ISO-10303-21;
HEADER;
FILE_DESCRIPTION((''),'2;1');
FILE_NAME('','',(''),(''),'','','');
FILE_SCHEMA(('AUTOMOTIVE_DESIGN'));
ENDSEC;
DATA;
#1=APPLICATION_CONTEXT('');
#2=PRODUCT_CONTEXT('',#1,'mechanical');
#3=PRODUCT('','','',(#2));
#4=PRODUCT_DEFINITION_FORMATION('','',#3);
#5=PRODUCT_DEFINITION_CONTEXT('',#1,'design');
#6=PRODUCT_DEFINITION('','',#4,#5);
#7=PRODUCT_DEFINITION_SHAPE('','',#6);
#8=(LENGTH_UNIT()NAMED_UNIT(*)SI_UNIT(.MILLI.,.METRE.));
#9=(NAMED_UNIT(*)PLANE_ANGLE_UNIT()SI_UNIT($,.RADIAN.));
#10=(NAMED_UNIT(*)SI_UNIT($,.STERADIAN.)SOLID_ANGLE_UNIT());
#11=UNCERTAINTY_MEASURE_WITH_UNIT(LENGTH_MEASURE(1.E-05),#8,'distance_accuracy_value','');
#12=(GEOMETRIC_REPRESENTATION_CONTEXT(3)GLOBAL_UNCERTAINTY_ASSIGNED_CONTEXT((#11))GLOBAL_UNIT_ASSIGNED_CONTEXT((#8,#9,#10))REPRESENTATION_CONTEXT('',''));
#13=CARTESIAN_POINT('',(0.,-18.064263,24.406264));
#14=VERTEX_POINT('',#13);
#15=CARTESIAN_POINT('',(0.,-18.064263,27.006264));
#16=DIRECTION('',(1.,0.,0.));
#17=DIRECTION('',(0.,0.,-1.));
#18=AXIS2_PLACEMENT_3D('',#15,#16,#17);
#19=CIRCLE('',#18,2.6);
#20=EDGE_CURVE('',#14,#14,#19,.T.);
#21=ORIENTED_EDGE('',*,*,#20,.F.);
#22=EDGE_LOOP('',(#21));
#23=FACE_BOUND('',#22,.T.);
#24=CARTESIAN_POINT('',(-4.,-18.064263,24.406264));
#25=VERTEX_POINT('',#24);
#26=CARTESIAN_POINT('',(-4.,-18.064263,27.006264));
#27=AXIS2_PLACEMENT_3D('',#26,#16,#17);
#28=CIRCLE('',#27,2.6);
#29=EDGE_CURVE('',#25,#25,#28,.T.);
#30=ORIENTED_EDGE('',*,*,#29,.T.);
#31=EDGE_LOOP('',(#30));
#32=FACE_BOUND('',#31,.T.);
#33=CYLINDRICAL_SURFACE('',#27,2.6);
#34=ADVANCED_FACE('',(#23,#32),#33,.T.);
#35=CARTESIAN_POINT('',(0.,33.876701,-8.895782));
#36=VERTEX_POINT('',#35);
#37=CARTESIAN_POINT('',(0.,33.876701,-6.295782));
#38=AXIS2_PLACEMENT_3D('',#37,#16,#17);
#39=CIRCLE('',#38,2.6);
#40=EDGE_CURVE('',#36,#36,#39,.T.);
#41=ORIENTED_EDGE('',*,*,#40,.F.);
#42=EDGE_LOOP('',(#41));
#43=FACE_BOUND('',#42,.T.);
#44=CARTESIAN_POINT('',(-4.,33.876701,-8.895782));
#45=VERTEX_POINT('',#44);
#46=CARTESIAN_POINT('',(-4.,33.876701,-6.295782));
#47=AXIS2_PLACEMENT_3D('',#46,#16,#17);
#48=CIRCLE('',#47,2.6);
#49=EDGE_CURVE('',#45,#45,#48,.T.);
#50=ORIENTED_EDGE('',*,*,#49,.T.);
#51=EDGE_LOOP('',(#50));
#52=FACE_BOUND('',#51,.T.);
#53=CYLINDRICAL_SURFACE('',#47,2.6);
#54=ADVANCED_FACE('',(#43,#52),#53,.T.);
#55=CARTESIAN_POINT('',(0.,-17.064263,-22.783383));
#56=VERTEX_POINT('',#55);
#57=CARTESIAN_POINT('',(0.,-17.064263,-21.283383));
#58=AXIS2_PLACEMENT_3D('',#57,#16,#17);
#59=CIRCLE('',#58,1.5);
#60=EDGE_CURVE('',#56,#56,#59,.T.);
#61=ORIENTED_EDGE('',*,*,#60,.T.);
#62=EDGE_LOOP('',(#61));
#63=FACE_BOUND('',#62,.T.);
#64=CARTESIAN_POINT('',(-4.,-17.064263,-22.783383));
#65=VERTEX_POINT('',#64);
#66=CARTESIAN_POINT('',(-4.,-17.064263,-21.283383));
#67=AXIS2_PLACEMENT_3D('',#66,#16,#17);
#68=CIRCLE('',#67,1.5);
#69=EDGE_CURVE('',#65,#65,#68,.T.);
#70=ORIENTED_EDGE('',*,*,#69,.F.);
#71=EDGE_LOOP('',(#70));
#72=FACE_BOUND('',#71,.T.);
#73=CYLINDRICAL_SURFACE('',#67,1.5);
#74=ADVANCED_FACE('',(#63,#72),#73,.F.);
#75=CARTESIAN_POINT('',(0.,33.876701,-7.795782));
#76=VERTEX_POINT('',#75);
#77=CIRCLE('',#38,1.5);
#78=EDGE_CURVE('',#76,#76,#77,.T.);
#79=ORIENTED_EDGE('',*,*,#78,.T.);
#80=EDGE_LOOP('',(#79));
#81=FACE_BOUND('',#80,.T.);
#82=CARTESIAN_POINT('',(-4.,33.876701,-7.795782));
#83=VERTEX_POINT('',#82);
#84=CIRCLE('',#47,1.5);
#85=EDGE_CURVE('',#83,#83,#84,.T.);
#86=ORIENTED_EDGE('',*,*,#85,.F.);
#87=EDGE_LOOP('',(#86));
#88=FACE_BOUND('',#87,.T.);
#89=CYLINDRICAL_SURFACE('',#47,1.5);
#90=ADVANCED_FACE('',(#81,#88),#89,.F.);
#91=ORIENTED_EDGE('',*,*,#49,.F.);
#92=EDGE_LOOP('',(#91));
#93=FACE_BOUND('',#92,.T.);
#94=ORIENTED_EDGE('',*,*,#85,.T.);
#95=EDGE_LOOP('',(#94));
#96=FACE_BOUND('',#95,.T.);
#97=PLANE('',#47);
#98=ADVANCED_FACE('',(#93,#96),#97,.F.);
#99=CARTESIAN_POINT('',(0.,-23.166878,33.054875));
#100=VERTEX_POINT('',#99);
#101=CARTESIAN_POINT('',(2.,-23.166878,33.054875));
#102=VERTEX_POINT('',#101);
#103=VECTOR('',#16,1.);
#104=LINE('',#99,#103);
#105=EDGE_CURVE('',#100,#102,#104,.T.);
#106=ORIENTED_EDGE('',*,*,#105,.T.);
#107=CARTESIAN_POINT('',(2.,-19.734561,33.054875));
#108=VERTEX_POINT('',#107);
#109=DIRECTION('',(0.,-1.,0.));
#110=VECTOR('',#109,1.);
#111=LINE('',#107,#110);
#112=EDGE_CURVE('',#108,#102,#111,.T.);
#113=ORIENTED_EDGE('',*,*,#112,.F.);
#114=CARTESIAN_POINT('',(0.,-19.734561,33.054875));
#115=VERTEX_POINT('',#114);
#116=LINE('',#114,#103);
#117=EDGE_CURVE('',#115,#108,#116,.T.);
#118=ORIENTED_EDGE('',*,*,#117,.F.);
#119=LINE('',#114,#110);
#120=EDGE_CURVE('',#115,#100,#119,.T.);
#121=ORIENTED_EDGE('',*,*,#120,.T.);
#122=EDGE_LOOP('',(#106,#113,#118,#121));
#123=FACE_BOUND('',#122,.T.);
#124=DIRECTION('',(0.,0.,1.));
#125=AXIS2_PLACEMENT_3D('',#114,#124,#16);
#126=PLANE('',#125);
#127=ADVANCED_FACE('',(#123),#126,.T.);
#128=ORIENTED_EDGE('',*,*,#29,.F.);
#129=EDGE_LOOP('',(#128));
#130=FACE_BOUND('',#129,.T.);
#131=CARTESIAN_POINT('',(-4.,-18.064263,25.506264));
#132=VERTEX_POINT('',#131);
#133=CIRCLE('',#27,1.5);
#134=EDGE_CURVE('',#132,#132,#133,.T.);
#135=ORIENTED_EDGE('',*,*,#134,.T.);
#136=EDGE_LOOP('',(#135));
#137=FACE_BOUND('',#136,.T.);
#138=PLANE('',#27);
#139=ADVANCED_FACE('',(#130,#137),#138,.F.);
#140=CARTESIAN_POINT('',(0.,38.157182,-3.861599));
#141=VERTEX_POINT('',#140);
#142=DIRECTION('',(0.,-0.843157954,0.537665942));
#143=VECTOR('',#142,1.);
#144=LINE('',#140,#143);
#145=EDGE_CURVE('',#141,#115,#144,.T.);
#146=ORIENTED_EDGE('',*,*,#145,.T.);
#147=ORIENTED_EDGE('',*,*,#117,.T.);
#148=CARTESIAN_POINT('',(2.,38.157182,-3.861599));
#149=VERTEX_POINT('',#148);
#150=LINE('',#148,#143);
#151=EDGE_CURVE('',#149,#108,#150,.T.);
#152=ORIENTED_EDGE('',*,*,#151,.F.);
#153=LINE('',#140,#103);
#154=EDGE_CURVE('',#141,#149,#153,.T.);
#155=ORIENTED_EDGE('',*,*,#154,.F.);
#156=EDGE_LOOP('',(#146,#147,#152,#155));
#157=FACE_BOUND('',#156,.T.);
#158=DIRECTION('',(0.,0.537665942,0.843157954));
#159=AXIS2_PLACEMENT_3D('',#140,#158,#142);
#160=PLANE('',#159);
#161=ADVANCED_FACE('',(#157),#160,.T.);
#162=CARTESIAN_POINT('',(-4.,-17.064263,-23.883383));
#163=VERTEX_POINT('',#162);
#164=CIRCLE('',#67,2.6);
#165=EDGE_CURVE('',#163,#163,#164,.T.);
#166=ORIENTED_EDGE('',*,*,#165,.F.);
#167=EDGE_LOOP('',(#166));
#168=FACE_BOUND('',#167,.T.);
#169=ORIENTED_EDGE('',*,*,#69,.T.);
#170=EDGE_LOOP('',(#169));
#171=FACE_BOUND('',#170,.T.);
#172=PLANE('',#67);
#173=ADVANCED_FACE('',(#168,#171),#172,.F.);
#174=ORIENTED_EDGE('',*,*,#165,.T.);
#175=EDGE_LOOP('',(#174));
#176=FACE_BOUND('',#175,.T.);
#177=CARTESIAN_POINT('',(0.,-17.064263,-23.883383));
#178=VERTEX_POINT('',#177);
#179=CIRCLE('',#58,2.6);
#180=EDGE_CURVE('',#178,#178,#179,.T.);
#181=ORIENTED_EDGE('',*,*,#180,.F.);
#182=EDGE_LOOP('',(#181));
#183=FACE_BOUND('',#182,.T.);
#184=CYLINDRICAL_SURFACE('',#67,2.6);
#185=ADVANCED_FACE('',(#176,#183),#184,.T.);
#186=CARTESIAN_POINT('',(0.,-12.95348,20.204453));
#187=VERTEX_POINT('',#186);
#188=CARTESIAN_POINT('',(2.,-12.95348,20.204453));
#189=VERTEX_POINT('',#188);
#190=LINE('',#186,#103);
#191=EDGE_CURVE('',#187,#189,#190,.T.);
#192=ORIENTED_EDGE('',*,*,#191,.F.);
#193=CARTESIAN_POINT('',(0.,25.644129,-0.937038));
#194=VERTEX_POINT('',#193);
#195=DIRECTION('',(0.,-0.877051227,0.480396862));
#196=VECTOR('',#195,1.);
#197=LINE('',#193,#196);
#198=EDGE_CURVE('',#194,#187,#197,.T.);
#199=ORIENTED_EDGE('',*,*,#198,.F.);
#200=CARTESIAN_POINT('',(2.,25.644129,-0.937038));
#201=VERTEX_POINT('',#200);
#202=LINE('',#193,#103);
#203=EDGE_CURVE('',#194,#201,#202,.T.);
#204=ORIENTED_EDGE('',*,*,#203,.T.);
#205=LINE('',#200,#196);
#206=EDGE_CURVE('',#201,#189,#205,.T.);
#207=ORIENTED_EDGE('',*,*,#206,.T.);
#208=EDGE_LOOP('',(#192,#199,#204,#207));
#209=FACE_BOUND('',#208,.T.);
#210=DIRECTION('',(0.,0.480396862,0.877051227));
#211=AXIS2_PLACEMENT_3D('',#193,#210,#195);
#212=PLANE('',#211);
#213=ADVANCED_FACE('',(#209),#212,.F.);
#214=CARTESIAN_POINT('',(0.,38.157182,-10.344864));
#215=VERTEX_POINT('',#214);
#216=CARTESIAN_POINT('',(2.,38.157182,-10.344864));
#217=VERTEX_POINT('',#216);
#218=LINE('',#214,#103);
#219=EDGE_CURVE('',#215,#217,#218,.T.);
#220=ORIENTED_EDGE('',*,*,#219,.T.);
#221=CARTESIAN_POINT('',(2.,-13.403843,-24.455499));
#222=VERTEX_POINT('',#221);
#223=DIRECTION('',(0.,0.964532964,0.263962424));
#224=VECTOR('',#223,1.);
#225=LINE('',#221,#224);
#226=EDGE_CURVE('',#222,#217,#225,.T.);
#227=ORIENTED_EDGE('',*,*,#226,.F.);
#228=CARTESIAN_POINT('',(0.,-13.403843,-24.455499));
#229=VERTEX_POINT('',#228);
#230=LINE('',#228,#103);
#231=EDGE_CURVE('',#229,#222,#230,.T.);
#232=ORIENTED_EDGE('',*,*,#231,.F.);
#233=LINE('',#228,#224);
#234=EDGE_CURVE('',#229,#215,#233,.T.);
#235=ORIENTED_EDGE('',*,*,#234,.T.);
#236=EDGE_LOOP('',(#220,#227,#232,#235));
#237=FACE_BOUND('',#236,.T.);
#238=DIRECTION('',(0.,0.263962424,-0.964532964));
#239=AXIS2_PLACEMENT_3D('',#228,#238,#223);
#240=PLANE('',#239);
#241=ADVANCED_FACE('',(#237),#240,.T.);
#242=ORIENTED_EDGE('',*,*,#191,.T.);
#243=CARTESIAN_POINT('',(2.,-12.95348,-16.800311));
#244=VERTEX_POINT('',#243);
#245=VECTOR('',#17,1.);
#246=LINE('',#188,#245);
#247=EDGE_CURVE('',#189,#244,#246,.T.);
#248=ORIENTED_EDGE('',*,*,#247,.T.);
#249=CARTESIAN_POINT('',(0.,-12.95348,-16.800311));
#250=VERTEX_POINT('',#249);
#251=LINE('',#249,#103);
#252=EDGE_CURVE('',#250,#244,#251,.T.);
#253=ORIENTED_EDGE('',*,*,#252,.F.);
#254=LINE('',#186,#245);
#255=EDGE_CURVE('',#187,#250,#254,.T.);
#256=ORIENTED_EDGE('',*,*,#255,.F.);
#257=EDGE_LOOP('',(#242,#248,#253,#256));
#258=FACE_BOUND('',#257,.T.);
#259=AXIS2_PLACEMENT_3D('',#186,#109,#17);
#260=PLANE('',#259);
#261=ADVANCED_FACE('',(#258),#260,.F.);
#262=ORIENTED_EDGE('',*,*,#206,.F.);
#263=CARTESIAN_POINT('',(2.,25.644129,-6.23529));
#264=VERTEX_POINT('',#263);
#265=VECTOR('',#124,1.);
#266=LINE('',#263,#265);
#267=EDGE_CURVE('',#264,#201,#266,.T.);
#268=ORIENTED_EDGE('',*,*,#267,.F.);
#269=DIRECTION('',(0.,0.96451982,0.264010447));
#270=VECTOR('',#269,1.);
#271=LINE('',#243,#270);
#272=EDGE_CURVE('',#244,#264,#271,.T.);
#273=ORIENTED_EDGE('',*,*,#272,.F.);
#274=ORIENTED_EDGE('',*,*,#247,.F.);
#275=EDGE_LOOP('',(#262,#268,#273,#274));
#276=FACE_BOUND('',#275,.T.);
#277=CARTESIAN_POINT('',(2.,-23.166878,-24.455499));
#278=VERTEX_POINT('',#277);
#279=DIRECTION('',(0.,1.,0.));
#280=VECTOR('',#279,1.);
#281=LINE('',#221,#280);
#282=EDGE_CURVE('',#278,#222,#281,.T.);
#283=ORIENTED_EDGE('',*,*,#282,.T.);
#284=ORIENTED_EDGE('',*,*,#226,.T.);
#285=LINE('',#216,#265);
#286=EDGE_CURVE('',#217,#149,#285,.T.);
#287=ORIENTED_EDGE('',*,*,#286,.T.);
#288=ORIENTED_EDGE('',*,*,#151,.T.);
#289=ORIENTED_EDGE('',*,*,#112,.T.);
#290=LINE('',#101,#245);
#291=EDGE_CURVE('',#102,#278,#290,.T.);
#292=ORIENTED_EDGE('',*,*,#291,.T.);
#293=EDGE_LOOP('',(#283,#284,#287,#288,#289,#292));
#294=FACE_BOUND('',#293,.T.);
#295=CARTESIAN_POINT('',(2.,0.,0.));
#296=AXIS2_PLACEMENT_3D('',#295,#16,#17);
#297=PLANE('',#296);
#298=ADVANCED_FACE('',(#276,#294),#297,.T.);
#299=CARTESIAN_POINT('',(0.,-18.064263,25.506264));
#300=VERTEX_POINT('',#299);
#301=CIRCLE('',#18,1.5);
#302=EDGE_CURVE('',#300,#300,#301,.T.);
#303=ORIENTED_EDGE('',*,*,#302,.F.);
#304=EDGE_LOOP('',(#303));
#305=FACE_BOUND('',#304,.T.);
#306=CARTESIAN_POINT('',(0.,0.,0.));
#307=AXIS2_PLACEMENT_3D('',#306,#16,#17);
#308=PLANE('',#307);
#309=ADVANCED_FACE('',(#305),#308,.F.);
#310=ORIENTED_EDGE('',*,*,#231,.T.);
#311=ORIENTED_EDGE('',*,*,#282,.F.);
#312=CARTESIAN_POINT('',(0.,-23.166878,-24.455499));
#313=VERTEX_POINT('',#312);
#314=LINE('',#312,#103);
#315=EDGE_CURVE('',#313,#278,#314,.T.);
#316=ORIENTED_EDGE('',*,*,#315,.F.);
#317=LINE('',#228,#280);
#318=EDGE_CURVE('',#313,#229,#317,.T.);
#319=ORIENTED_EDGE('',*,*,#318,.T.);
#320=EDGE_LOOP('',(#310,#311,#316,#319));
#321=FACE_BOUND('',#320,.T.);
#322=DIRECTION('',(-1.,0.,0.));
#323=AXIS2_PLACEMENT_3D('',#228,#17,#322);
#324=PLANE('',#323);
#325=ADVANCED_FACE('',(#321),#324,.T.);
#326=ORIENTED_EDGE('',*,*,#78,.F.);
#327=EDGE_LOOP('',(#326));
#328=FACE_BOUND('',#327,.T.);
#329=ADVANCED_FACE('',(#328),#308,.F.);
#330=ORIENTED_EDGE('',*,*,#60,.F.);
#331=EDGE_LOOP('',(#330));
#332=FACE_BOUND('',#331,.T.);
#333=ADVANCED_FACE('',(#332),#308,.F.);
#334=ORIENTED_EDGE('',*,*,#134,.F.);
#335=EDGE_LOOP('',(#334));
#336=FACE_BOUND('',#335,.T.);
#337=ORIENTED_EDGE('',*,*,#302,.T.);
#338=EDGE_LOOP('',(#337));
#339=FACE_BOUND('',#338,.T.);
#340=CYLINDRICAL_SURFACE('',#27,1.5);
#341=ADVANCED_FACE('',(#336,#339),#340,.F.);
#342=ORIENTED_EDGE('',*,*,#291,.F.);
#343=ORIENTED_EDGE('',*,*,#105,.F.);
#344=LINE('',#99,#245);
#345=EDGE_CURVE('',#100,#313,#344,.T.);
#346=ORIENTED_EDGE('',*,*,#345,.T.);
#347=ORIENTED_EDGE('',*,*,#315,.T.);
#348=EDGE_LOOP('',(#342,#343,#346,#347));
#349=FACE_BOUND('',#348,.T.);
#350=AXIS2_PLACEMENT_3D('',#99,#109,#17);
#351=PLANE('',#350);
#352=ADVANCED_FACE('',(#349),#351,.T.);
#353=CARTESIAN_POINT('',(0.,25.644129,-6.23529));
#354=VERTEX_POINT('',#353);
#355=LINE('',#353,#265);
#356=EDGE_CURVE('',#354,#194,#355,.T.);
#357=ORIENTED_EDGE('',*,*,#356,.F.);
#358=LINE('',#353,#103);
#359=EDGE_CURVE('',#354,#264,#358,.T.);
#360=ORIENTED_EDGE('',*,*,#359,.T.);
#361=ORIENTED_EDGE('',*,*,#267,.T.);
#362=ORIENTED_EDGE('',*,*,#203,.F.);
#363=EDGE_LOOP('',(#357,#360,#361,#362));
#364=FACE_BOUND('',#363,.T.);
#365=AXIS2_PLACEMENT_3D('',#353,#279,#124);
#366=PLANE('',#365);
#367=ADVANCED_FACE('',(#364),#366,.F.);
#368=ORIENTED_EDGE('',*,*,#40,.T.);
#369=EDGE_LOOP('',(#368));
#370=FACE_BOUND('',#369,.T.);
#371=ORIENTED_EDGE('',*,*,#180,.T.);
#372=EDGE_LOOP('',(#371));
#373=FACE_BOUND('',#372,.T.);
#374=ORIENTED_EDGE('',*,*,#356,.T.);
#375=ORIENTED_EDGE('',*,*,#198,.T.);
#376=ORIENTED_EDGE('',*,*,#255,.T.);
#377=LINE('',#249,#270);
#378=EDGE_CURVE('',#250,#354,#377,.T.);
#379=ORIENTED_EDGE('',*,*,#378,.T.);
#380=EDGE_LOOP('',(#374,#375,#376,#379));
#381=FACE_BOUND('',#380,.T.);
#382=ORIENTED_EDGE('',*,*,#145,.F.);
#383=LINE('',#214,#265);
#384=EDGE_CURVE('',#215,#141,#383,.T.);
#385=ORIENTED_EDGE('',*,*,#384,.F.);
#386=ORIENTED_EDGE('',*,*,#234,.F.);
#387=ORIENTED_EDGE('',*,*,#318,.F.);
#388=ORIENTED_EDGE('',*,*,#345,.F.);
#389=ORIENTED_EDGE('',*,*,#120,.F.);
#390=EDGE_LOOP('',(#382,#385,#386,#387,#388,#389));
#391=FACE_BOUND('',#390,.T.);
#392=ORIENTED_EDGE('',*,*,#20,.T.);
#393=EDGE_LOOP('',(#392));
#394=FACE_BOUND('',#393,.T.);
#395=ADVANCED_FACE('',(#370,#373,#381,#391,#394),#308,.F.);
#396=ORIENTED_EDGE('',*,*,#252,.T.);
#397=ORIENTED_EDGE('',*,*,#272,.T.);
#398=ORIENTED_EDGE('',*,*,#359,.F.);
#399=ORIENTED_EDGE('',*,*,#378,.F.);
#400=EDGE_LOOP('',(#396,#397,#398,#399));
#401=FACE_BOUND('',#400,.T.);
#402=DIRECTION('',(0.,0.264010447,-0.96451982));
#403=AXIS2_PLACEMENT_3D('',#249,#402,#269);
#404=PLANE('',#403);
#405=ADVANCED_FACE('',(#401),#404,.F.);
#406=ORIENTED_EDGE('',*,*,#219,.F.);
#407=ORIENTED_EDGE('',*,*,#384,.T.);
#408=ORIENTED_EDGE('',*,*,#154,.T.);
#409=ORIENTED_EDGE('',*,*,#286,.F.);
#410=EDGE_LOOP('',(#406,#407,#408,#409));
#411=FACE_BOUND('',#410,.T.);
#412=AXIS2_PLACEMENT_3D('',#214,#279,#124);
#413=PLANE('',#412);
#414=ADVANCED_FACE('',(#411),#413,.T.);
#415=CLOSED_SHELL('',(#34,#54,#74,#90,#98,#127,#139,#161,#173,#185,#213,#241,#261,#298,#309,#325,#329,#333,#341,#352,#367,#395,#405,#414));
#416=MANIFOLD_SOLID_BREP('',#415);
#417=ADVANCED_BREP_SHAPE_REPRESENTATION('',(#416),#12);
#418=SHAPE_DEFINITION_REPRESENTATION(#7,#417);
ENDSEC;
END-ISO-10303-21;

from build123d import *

# Parameters (mm, degrees)
SKETCH_1_W          = 63.552014958
SKETCH_1_H          = 75.18168128
EXTRUDE_1_DEPTH     = 2
CUT_EXTRUDE_3_DEPTH = 2
CUT_EXTRUDE_4_DEPTH = 2
SKETCH_2_R          = 2.6
SKETCH_2_R_2        = 1.5
EXTRUDE_2_DEPTH     = 6


with BuildPart() as part:
    # 草图1 → 凸台-拉伸1 (new body)
    with BuildSketch(Plane(origin=(0, 0, 0), x_dir=(0, 0, -1), z_dir=(1, 0, 0))):
        with Locations((-6.130256719, 2.766182452)):
            Rectangle(SKETCH_1_W, SKETCH_1_H)
    extrude(amount=EXTRUDE_1_DEPTH)

    # 草图3 → 切除-拉伸3 (cut)
    with BuildSketch(Plane(origin=(2, 0, 0), x_dir=(0, 0, -1), z_dir=(1, 0, 0))):
        Polygon((-37.906264198, -19.734560887), (-37.906264198, 40.357023092), (25.64575076, 40.357023092), (25.64575076, -13.40384327), (25.64575076, -23.166877668), (25.64575076, -34.824658188), (-37.906264198, -34.824658188), (-37.906264198, -23.166877668), align=None)
        Polygon((3.861598797, 38.157182144), (-33.05487502, -19.734560887), (-33.05487502, -23.166877668), (24.455499481, -23.166877668), (24.455499481, -13.40384327), (10.344863827, 38.157182144), align=None, mode=Mode.SUBTRACT)
    extrude(amount=-CUT_EXTRUDE_3_DEPTH, mode=Mode.SUBTRACT)

    # 草图4 → 切除-拉伸4 (cut)
    with BuildSketch(Plane(origin=(2, 0, 0), x_dir=(0, 0, -1), z_dir=(1, 0, 0))):
        Polygon((0.937037541, 25.644128731), (-20.204452885, -12.953479978), (16.800310672, -12.953479978), (6.235289924, 25.644128731), align=None)
    extrude(amount=-CUT_EXTRUDE_4_DEPTH, mode=Mode.SUBTRACT)

    # 草图2 → 凸台-拉伸2 (add)
    with BuildSketch(Plane(origin=(2, 0, 0), x_dir=(0, 0, -1), z_dir=(1, 0, 0))):
        with Locations((6.295781653, 33.876700988)):
            Circle(SKETCH_2_R)
        with Locations((6.295781653, 33.876700988)):
            Circle(SKETCH_2_R_2, mode=Mode.SUBTRACT)
        with Locations((-27.006264198, -18.064263021)):
            Circle(SKETCH_2_R)
        with Locations((-27.006264198, -18.064263021)):
            Circle(SKETCH_2_R_2, mode=Mode.SUBTRACT)
        with Locations((21.283382726, -17.064263021)):
            Circle(SKETCH_2_R)
        with Locations((21.283382726, -17.064263021)):
            Circle(SKETCH_2_R_2, mode=Mode.SUBTRACT)
    extrude(amount=-EXTRUDE_2_DEPTH)


solid = part.part
